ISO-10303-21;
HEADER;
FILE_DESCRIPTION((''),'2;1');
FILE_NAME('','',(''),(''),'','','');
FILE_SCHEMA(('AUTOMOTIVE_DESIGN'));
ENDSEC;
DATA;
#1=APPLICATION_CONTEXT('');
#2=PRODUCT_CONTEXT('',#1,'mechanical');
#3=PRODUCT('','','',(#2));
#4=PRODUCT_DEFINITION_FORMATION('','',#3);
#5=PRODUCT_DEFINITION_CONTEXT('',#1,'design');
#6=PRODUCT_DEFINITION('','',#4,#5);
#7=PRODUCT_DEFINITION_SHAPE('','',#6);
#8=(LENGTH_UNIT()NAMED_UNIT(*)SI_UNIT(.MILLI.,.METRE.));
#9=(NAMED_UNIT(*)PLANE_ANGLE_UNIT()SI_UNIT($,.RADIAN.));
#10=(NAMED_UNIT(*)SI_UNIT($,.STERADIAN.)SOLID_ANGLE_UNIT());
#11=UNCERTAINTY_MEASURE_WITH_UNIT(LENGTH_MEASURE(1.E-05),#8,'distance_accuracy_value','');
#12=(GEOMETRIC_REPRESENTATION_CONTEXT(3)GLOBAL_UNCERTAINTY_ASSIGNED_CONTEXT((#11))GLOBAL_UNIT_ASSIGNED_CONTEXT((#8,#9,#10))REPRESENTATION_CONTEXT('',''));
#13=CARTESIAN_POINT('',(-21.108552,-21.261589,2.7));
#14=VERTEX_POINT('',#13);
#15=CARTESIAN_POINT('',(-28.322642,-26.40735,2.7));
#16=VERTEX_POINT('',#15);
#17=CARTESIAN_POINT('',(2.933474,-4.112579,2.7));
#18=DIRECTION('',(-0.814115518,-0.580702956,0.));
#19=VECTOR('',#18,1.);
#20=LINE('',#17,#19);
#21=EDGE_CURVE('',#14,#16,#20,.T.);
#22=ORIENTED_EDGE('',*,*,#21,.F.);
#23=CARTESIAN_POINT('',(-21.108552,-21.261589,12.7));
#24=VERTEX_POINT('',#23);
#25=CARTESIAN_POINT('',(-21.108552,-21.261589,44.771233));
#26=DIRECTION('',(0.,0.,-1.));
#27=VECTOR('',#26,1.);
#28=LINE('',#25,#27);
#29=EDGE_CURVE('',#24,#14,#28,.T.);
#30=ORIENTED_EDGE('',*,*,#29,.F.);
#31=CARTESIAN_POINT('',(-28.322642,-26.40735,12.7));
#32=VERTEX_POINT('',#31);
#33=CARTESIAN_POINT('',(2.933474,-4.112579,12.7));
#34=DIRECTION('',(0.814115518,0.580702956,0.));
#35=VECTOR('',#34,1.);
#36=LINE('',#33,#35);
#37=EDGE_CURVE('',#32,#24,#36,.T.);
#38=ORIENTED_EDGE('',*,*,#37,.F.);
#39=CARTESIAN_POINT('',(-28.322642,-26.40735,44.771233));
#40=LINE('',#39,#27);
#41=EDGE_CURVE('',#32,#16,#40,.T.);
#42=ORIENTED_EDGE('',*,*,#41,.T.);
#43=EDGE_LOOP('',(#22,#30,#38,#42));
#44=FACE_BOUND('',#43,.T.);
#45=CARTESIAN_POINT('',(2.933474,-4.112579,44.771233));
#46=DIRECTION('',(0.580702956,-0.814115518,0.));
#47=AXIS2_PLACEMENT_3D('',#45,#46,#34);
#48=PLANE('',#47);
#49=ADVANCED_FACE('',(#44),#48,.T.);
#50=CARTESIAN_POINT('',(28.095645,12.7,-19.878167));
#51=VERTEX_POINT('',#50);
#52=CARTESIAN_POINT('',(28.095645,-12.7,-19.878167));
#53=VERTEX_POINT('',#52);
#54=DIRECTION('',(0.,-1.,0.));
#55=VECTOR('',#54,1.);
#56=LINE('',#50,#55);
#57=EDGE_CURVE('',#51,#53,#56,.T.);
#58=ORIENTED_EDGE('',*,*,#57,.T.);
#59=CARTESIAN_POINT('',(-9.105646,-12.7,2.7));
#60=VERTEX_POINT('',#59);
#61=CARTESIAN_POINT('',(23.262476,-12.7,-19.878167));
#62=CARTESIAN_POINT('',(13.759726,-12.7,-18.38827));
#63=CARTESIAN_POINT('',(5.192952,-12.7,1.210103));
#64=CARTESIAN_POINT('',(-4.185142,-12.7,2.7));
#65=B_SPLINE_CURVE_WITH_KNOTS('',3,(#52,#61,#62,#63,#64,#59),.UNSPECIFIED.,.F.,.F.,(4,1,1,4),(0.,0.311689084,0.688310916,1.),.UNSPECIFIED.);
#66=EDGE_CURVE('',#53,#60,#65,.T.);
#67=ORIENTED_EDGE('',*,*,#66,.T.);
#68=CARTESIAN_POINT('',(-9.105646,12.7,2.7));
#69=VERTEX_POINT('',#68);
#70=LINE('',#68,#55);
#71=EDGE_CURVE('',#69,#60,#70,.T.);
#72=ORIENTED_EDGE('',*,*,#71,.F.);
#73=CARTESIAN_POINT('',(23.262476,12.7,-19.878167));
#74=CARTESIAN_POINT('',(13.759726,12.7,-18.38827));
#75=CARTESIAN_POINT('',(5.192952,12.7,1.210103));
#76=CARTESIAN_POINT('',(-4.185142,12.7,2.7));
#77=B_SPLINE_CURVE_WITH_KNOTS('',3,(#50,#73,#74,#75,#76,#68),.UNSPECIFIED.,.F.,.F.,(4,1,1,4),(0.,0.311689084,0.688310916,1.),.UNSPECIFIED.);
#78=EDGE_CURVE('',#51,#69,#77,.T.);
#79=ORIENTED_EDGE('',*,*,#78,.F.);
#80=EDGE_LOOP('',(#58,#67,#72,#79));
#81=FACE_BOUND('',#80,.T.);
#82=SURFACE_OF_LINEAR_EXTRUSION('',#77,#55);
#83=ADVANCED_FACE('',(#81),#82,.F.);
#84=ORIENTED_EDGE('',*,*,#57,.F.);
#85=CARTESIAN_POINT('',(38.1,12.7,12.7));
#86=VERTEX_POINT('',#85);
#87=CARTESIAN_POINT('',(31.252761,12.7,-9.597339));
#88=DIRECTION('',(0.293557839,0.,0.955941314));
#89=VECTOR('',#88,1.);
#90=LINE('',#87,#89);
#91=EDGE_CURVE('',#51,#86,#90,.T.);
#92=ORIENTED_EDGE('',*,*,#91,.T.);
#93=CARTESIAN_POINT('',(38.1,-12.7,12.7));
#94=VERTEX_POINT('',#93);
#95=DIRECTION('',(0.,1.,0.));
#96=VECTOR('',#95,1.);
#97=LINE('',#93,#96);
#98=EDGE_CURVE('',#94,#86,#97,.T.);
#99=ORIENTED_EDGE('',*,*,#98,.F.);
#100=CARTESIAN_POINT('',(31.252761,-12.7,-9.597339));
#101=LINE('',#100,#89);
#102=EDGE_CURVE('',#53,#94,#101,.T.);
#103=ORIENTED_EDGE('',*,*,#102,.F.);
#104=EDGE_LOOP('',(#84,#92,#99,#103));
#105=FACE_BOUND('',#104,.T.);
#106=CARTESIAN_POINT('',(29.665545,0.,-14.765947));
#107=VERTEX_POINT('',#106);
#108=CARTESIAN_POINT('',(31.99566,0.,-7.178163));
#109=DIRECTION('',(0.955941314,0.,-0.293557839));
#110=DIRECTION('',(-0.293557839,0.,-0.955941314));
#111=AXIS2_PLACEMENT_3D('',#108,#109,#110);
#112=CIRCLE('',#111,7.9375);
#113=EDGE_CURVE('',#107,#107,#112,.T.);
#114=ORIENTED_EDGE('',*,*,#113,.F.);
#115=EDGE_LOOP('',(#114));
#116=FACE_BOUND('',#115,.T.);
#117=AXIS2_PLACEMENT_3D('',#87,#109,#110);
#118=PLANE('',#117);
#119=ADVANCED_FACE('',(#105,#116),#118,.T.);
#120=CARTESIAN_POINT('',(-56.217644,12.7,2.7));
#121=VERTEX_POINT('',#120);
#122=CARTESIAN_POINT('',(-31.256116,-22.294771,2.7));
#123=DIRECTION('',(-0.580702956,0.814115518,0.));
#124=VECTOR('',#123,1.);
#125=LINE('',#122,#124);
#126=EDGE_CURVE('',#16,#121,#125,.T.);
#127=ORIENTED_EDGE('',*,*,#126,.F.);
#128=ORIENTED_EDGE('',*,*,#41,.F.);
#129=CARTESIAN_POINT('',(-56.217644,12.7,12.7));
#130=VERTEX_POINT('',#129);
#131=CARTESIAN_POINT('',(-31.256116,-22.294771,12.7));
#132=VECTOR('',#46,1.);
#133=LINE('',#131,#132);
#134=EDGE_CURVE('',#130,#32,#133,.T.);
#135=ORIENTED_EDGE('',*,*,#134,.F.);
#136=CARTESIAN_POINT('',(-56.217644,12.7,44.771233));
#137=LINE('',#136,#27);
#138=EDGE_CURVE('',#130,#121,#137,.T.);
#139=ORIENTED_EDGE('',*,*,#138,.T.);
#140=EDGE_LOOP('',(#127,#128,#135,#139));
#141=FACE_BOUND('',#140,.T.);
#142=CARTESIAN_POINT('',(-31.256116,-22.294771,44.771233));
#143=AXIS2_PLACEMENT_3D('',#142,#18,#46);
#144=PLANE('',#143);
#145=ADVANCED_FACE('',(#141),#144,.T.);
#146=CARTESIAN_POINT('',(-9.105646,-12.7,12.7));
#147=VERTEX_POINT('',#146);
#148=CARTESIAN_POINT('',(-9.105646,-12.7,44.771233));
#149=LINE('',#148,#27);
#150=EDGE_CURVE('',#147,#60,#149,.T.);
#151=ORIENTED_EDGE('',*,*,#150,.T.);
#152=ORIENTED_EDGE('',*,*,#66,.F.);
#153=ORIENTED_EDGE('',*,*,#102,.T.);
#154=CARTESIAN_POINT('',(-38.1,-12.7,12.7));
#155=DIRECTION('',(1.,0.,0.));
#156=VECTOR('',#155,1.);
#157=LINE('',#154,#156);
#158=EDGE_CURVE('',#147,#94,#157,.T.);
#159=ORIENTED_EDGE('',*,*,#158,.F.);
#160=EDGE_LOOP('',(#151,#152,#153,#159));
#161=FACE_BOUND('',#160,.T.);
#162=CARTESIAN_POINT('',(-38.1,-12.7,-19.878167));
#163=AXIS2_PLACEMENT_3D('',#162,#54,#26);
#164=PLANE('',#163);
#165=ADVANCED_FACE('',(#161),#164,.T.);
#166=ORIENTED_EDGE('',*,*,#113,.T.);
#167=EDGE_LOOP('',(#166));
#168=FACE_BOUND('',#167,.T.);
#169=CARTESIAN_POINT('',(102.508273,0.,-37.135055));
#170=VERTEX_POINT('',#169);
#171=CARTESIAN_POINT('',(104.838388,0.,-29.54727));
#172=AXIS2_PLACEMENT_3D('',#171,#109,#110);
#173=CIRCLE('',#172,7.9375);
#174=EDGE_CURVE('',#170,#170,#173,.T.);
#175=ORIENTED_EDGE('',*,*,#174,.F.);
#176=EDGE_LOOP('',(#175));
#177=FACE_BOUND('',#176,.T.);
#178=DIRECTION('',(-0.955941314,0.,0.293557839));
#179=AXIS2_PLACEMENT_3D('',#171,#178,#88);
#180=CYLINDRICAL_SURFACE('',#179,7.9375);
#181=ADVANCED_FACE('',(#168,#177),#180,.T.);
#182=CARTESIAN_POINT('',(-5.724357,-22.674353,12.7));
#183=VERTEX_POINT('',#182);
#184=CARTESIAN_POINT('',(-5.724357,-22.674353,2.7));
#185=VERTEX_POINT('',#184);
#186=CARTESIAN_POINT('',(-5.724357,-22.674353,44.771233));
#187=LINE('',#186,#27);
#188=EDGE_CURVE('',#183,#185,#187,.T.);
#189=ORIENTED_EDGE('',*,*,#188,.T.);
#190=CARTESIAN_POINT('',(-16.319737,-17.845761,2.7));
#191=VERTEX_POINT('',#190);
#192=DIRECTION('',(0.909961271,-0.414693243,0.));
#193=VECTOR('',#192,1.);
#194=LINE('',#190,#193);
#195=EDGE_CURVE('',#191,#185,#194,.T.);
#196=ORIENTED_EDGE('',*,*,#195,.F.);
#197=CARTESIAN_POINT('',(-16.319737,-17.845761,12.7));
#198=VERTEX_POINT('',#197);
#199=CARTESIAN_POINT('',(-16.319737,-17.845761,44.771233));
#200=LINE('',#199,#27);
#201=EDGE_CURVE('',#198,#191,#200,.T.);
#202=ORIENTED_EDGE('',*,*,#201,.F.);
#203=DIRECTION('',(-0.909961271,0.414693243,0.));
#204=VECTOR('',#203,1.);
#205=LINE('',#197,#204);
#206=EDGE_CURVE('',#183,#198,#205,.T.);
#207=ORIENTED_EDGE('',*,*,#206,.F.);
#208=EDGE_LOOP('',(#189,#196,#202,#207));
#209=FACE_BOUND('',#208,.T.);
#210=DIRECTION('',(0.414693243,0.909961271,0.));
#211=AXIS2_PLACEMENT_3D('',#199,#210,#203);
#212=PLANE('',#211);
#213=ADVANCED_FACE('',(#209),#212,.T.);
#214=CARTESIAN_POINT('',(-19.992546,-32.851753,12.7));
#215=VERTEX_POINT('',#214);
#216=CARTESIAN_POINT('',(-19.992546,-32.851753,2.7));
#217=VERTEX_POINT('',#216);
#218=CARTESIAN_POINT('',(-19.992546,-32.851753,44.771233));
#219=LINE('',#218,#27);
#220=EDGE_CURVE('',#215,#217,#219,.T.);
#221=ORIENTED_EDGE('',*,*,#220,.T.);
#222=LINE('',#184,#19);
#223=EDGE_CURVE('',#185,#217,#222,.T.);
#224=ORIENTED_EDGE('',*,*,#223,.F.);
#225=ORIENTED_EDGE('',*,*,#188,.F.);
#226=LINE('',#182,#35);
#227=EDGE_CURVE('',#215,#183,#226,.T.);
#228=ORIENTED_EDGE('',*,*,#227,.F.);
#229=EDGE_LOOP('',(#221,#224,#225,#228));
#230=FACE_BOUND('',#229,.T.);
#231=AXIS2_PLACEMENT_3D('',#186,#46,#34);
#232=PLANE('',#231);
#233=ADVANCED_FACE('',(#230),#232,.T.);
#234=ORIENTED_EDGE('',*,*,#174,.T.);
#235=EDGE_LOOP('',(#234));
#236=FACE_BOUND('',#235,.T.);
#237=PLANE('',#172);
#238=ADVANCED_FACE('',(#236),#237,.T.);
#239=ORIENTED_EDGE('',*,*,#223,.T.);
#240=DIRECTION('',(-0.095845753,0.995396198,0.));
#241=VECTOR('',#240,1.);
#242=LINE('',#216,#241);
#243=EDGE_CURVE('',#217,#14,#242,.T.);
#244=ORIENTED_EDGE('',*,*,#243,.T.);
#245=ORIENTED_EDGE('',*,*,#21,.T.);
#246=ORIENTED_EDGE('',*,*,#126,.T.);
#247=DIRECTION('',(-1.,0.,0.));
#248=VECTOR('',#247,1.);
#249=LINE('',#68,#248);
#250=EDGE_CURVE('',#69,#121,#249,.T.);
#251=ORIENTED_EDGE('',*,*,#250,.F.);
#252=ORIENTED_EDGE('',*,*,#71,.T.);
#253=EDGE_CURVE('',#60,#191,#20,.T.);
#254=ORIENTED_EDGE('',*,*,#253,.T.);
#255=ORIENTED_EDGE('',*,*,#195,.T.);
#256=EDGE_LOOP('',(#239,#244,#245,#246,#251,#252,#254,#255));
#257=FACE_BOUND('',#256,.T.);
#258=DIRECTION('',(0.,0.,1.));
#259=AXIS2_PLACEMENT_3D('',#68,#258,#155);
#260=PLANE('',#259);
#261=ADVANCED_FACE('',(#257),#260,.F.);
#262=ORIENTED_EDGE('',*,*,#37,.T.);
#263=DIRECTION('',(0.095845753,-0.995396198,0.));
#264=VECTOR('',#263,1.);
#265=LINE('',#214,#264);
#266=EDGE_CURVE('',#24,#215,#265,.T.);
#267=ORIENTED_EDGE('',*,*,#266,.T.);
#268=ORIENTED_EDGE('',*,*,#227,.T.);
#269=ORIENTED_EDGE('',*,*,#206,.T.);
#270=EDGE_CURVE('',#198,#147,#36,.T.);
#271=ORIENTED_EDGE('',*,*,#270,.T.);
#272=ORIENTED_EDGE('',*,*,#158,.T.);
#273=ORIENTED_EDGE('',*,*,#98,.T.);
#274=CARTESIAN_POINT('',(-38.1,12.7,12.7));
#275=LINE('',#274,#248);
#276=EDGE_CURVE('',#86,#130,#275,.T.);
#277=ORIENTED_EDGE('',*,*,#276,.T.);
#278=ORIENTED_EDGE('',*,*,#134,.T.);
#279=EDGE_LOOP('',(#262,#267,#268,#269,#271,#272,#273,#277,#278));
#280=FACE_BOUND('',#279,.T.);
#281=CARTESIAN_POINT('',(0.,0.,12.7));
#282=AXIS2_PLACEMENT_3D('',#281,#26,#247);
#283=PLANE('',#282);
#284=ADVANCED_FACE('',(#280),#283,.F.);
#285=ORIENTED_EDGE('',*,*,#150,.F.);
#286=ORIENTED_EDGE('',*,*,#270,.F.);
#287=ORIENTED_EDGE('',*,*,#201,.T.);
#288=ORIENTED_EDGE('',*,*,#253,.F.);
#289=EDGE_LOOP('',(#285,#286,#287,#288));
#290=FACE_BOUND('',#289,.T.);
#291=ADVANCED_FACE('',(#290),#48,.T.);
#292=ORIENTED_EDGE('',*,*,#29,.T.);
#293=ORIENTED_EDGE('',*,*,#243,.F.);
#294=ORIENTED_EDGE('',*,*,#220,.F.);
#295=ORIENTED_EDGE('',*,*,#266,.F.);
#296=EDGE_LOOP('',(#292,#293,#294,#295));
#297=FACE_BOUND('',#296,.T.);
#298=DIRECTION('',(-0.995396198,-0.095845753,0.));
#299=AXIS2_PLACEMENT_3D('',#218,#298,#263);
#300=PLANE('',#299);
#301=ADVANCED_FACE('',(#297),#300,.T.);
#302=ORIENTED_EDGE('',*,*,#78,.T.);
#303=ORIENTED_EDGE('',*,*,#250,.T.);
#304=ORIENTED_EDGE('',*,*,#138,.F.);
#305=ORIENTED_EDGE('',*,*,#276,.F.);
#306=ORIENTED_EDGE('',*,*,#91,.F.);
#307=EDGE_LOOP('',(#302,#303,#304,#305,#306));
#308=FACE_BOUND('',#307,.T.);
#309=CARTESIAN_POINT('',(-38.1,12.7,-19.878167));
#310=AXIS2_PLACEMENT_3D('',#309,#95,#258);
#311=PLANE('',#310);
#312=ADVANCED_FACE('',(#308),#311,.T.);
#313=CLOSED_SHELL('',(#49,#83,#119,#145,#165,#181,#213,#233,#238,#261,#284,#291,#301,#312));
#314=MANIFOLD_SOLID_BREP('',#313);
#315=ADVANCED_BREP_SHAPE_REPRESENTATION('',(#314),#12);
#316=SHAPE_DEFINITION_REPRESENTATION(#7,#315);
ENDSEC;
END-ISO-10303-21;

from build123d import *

# Parameters (mm, degrees)
BOSS_EXTRUDE1_DEPTH      = 12.7
BOSS_EXTRUDE1_DEPTH_BACK = 19.878167
SKETCH1_W                = 76.2
SKETCH1_H                = 25.4
CUT_EXTRUDE1_DEPTH       = 50.919049703
SKETCH4_R                = 7.9375
BOSS_EXTRUDE2_DEPTH      = 76.2
BOSS_EXTRUDE3_DEPTH      = 10


with BuildPart() as part:
    # Sketch1 → Boss-Extrude1 (new, two sides: drawn at the far end of the back side and taken through both)
    with BuildSketch(Plane.XY.offset(-BOSS_EXTRUDE1_DEPTH_BACK)):
        Rectangle(SKETCH1_W, SKETCH1_H)
    extrude(amount=BOSS_EXTRUDE1_DEPTH + BOSS_EXTRUDE1_DEPTH_BACK)

    # Sketch2 → Cut-Extrude1 (cut, through all)
    with BuildSketch(Plane.XZ.offset(12.7)):
        Polygon((33.097822487, -3.5890835), (28.095644974, -19.878167), (30.299971912, -19.878167), (38.1, -19.878167), (38.1, -5.125190787), align=None)
        Polygon((38.1, 12.7), (33.097822487, -3.5890835), (38.1, -5.125190787), align=None)
        with BuildLine():
            Line((28.095644974, -19.878167), (-38.1, -19.878167))
            Line((-38.1, -19.878167), (-38.1, 2.7))
            Line((-38.1, 2.7), (-9.105646135, 2.7))
            add(Edge.make_bspline(
                [(28.095644974, -19.878167), (23.262476233, -19.878167), (13.759725723, -18.38827049), (5.19295176, 1.21010349), (-4.185142014, 2.7), (-9.105646135, 2.7)],
                knots=[0, 0, 0, 0, 0.311689084, 0.688310916, 1, 1, 1, 1], degree=3))
        make_face()
    extrude(amount=-CUT_EXTRUDE1_DEPTH, mode=Mode.SUBTRACT)

    # Sketch4 → Boss-Extrude2 (add)
    with BuildSketch(Plane(origin=(31.252760971, 0, -9.59733911), x_dir=(-0.2935578385035089, 0, -0.95594131381228), z_dir=(0.95594131381228, 0, -0.2935578385035089))):
        with Locations((-2.530674188, 0)):
            Circle(SKETCH4_R)
    extrude(amount=BOSS_EXTRUDE2_DEPTH)

    # Sketch5 → Boss-Extrude3 (add)
    with BuildSketch(Plane(origin=(0, 0, 2.7), x_dir=(-1, 0, 0), z_dir=(0, 0, -1))):
        Polygon((9.105646135, -12.7), (28.322642206, -26.407350084), (38.1, -12.7), align=None)
        Polygon((38.1, -12.7), (56.217643925, 12.7), (38.1, 12.7), align=None)
        Polygon((16.319736518, -17.845760662), (21.108551823, -21.261589422), (19.992545993, -32.851753107), (5.724357418, -22.674353105), align=None)
    extrude(amount=-BOSS_EXTRUDE3_DEPTH)


solid = part.part
